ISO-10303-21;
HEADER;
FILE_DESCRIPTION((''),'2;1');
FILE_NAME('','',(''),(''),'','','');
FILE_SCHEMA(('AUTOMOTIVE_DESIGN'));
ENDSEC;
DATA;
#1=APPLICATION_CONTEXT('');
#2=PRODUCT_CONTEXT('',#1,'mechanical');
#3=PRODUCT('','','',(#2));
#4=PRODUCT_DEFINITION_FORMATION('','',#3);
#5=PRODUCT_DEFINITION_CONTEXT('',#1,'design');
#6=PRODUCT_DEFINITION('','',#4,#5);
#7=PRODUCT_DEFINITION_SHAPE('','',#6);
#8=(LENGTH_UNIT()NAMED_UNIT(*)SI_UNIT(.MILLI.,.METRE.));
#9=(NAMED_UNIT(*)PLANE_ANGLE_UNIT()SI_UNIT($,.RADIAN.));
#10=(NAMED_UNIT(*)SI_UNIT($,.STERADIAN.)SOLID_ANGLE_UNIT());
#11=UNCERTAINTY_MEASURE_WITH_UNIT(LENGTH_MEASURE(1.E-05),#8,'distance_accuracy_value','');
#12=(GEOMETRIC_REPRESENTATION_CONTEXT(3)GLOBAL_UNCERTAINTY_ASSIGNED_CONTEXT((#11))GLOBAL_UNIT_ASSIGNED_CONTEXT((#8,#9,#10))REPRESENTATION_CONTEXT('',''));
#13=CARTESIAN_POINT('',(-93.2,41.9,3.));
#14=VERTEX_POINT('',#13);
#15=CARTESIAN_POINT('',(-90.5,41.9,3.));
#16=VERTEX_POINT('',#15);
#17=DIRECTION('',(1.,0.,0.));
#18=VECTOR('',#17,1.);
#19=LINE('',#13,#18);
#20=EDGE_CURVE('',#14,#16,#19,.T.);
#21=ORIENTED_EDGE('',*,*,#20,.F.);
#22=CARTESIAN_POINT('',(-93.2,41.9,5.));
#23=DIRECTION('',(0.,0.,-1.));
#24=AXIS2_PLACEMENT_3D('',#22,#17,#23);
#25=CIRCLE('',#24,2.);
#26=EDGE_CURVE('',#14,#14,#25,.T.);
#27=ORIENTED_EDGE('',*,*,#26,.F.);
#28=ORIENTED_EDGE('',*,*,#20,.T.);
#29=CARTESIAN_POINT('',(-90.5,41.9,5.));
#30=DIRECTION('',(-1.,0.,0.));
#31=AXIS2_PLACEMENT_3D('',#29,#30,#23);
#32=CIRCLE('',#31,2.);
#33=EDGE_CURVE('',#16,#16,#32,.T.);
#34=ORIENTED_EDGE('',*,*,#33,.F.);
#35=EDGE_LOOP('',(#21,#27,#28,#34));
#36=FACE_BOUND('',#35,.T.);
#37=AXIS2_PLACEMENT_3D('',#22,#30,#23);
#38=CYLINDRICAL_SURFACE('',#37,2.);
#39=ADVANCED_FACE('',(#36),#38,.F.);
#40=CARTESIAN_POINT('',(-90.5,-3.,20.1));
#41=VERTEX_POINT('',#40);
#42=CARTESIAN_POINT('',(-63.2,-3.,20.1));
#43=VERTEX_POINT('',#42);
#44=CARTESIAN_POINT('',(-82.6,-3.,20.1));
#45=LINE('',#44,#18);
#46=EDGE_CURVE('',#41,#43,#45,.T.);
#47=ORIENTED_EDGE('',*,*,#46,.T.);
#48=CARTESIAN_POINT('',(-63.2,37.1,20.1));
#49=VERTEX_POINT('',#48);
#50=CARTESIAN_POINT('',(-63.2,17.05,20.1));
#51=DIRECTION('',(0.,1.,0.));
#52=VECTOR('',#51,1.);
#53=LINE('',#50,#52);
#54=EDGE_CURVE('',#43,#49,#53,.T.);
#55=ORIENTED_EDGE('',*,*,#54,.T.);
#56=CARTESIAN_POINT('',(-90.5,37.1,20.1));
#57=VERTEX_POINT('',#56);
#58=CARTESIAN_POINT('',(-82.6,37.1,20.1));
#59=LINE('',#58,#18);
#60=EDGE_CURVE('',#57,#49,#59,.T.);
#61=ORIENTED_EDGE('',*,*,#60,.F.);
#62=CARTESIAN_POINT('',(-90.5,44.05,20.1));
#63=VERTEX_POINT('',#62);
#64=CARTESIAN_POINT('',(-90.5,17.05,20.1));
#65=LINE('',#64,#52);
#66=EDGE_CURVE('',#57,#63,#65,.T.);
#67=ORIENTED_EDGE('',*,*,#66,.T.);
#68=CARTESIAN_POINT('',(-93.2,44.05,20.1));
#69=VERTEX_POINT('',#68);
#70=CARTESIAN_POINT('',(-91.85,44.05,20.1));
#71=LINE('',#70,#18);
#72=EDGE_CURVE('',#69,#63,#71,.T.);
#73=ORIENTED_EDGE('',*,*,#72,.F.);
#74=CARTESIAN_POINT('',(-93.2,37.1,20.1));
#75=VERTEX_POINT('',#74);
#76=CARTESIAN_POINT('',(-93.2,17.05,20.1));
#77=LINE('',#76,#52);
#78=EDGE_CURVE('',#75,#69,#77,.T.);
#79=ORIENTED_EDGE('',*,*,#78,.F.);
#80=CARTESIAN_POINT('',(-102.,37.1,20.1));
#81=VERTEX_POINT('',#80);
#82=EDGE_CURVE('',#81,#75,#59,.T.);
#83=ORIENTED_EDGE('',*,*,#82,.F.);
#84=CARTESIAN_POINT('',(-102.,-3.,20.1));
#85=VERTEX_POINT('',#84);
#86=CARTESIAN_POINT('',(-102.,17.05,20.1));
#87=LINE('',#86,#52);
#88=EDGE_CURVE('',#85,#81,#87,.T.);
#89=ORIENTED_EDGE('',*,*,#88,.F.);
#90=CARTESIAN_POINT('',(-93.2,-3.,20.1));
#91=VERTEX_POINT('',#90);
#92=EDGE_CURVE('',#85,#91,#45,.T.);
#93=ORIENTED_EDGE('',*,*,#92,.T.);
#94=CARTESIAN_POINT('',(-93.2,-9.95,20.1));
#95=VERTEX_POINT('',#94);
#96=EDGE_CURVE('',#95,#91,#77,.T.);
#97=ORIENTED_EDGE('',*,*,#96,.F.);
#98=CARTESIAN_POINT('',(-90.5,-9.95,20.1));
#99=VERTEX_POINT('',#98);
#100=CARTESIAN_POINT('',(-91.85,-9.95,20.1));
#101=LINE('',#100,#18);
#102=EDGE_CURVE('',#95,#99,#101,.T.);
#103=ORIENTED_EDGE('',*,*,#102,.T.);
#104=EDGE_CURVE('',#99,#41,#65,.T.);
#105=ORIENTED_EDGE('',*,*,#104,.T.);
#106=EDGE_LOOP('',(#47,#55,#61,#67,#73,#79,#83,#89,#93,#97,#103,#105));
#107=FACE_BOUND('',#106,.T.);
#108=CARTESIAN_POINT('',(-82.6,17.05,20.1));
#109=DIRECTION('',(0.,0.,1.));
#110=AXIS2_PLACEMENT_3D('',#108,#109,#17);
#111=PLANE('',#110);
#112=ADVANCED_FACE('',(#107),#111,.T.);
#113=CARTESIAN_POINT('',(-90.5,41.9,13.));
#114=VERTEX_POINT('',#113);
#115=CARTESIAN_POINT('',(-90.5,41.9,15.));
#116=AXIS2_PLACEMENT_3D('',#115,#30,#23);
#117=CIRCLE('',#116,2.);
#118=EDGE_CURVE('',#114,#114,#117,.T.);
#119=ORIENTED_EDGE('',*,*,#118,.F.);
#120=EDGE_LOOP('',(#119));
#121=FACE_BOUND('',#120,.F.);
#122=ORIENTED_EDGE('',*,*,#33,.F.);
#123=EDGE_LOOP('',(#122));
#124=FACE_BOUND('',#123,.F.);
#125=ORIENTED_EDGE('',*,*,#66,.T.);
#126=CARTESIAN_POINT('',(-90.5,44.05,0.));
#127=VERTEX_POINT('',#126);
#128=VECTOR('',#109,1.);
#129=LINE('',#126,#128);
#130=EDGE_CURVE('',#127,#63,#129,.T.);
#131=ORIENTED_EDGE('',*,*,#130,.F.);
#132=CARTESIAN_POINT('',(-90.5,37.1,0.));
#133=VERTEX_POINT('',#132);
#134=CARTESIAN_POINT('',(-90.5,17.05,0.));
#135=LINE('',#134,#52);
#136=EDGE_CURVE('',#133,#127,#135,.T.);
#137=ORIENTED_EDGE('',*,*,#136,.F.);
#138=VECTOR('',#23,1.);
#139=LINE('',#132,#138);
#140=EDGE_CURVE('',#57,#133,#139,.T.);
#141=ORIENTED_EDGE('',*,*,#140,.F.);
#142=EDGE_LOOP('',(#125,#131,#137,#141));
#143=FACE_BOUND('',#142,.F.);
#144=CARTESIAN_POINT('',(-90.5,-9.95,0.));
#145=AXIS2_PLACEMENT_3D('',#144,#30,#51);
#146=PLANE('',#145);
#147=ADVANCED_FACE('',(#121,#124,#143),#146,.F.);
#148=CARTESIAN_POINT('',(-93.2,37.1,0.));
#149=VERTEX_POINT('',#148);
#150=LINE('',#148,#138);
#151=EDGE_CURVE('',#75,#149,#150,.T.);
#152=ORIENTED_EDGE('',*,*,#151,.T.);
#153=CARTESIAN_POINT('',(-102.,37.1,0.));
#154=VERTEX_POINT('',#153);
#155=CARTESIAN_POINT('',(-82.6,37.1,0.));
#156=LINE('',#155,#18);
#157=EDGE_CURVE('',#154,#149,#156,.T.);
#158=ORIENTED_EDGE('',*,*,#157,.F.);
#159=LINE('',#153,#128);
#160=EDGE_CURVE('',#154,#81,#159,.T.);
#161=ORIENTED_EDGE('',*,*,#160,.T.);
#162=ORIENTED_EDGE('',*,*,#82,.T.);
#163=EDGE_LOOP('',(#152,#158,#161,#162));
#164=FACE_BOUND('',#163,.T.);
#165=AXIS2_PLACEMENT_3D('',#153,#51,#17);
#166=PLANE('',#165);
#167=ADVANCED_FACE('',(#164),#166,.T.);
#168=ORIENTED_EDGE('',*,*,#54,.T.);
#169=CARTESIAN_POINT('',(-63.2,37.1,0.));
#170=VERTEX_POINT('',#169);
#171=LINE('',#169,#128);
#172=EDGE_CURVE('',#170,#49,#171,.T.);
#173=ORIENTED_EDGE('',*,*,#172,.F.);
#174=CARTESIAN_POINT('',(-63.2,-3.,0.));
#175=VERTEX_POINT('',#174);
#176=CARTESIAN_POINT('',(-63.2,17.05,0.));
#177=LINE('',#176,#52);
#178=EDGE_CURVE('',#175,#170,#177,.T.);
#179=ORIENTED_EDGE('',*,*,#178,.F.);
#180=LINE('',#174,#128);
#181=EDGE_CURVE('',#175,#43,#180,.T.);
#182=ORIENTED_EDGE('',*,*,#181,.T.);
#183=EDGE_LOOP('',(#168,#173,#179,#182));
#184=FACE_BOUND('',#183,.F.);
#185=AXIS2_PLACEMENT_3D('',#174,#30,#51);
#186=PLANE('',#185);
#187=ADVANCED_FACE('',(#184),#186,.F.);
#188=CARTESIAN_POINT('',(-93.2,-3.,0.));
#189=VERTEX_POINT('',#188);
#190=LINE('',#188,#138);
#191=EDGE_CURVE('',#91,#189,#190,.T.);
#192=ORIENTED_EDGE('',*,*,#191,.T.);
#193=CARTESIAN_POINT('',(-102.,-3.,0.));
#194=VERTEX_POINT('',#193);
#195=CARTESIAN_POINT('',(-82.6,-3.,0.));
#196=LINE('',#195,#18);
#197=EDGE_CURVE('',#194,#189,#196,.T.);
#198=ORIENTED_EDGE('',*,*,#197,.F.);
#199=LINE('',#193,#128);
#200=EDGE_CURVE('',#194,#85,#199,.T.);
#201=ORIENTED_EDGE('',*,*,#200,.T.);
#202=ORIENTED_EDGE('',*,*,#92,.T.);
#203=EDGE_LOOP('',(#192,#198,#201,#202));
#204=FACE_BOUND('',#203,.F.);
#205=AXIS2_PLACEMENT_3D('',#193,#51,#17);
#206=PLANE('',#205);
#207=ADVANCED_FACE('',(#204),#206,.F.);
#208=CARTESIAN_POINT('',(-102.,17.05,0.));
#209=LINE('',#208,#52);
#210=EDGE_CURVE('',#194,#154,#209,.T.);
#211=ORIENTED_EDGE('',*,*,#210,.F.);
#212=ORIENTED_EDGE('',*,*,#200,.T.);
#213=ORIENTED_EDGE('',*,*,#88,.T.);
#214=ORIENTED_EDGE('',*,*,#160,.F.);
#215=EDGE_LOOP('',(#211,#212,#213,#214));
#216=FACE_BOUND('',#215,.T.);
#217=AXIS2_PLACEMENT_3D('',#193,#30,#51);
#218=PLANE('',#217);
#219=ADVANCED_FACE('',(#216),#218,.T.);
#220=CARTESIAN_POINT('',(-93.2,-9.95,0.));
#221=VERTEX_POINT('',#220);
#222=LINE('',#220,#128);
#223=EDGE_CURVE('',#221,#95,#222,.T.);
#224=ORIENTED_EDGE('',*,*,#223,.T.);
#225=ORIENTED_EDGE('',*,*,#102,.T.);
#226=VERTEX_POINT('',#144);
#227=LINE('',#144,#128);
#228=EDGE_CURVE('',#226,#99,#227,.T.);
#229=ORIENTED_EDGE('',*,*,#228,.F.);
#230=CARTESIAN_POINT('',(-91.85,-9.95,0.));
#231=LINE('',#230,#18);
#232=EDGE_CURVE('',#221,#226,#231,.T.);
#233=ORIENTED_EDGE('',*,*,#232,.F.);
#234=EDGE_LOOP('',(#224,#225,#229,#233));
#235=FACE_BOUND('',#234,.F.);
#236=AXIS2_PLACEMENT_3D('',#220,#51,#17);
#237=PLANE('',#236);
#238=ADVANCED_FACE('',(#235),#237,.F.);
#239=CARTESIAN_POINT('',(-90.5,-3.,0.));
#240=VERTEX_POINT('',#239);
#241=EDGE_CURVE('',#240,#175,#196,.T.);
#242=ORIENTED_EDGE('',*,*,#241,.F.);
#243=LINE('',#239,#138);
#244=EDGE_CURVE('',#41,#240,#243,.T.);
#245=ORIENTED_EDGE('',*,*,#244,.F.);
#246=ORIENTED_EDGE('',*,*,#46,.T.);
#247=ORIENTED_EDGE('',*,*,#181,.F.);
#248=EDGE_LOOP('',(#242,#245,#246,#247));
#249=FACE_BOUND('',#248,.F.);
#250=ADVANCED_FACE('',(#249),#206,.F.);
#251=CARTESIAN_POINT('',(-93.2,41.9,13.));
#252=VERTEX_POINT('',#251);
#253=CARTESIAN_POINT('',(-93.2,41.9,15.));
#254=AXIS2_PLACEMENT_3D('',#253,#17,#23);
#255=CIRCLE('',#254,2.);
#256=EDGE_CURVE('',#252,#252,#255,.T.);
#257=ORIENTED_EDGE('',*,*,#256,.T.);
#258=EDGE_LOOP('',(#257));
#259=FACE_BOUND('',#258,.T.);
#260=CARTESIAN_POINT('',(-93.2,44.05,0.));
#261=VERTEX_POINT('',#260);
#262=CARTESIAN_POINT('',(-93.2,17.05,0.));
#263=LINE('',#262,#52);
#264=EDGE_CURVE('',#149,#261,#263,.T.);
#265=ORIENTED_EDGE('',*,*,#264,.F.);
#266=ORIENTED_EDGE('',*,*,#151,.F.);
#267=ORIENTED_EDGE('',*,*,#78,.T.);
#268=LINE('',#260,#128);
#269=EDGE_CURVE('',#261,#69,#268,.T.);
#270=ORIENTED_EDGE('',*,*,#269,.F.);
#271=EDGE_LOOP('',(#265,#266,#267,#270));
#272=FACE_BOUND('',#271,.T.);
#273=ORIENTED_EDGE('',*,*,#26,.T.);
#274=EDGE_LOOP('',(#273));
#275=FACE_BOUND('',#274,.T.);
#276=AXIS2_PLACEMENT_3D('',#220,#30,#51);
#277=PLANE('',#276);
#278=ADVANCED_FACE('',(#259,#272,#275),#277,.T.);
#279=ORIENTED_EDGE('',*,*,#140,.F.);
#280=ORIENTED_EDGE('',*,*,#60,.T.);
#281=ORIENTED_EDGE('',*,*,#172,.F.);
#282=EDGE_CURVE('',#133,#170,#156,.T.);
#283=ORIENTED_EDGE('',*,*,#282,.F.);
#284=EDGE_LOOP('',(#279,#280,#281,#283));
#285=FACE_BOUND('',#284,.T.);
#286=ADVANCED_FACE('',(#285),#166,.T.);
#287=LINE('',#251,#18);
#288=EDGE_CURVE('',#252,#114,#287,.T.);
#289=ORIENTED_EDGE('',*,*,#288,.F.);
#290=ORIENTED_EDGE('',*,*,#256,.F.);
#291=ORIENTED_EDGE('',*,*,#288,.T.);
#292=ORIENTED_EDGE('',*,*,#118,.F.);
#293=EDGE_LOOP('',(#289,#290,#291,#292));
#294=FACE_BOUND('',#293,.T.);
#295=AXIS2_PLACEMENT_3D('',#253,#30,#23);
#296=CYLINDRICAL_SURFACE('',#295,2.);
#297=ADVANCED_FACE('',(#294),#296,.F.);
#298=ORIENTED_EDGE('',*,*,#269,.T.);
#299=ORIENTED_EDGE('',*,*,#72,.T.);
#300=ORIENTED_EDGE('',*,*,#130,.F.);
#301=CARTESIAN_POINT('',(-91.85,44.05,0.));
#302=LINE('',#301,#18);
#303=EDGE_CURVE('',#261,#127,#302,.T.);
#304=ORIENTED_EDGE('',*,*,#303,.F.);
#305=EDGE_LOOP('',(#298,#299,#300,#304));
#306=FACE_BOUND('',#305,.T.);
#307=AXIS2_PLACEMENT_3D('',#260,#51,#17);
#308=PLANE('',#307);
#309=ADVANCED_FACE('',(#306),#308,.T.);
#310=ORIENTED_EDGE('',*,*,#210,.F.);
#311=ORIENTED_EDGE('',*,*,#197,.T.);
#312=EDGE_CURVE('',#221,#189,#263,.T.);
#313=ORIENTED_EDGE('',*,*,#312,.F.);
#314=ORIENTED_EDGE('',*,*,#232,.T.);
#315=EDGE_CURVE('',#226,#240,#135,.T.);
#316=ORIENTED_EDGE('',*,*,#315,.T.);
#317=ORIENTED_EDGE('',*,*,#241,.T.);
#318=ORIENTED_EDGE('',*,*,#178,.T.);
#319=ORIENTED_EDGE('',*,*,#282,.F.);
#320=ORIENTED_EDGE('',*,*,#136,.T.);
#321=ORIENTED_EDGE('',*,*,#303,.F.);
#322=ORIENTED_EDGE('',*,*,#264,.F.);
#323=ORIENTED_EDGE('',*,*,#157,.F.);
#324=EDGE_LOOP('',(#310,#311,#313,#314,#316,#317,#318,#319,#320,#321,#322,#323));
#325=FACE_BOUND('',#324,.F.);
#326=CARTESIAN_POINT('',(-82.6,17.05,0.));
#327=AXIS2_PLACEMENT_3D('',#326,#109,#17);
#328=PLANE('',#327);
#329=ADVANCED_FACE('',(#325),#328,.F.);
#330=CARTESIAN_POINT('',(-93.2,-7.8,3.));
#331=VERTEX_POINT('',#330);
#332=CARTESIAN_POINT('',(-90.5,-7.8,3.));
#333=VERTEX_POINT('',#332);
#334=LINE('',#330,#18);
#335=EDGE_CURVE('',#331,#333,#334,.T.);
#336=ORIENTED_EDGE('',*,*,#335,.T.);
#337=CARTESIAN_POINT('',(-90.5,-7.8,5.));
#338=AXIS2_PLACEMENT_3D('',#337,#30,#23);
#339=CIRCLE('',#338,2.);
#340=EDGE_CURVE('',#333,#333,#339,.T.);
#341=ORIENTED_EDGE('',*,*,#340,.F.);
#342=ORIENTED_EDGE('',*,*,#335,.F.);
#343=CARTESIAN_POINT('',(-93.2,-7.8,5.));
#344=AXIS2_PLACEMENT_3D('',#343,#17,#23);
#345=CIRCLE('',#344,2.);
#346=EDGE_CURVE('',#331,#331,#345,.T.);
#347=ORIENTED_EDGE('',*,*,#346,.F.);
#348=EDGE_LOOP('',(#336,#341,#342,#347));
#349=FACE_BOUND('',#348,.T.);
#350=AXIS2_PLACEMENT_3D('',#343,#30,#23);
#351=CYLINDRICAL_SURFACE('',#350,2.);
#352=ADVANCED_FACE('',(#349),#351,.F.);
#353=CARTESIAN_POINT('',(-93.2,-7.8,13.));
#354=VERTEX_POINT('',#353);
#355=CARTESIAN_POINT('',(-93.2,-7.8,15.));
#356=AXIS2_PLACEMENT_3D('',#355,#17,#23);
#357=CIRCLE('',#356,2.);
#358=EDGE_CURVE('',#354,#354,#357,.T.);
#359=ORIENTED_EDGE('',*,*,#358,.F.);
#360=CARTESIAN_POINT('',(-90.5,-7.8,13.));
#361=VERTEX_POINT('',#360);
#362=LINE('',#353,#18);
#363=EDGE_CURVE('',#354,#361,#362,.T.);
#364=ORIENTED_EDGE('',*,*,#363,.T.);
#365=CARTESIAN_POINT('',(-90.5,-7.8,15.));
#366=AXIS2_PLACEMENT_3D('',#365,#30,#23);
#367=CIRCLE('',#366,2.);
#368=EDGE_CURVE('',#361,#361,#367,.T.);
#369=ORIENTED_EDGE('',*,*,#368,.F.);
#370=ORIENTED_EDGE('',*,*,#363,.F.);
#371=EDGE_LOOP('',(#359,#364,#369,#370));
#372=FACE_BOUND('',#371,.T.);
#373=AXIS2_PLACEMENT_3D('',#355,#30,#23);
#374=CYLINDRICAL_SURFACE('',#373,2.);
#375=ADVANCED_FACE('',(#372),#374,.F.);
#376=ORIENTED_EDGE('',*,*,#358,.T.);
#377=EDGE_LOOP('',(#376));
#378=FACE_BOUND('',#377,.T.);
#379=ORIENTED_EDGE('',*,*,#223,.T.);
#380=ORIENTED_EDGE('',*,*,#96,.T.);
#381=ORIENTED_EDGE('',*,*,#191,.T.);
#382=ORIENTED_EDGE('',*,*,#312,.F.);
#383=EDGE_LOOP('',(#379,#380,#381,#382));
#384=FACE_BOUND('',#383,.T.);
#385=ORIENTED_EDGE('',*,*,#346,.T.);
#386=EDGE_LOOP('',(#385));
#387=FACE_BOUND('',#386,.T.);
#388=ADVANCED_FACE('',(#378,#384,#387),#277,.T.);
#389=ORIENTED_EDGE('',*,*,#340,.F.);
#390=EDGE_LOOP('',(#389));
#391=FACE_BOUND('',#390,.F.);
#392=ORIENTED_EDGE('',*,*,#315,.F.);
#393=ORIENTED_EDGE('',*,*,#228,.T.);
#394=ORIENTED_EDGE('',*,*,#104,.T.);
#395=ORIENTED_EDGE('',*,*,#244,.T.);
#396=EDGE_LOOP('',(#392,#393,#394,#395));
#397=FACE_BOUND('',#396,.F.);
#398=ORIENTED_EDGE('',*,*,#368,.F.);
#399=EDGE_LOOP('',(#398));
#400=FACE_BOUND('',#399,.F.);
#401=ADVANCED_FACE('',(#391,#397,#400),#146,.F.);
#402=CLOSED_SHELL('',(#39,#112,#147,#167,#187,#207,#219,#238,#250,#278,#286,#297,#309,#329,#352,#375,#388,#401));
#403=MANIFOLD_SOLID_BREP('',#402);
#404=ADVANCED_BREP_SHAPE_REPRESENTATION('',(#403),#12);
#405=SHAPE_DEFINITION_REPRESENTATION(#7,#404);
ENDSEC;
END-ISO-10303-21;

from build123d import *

# Parameters (mm, degrees)
CYLINDER174_R     = 2
CYLINDER174_DEPTH = 20
CYLINDER173_R     = 2
CYLINDER173_DEPTH = 20
CYLINDER171_R     = 2
CYLINDER171_DEPTH = 20
CYLINDER172_R     = 2
CYLINDER172_DEPTH = 20
BOX075_W          = 38.8
BOX075_H          = 40.1
BOX075_DEPTH      = 20.1
BOX223_W          = 2.7
BOX223_H          = 54
BOX223_DEPTH      = 20.1


with BuildPart() as cylinder174:
    # Cylinder174 → Cylinder174 (new body)
    with BuildSketch(Plane(origin=(-97.2, 2.2, 5), x_dir=(0, 0, -1), z_dir=(1, 0, 0))):
        Circle(CYLINDER174_R)
    extrude(amount=CYLINDER174_DEPTH)


with BuildPart() as cylinder173:
    # Cylinder173 → Cylinder173 (new body)
    with BuildSketch(Plane(origin=(-97.2, 2.2, 15), x_dir=(0, 0, -1), z_dir=(1, 0, 0))):
        Circle(CYLINDER173_R)
    extrude(amount=CYLINDER173_DEPTH)


with BuildPart() as cylinder171:
    # Cylinder171 → Cylinder171 (new body)
    with BuildSketch(Plane(origin=(-97.2, 51.9, 5), x_dir=(0, 0, -1), z_dir=(1, 0, 0))):
        Circle(CYLINDER171_R)
    extrude(amount=CYLINDER171_DEPTH)


with BuildPart() as cylinder172:
    # Cylinder172 → Cylinder172 (new body)
    with BuildSketch(Plane(origin=(-97.2, 51.9, 15), x_dir=(0, 0, -1), z_dir=(1, 0, 0))):
        Circle(CYLINDER172_R)
    extrude(amount=CYLINDER172_DEPTH)


with BuildPart() as box075:
    # Box075 → Box075 (new body)
    with BuildSketch(Plane(origin=(82, -93, 0), x_dir=(1, 0, 0), z_dir=(0, 0, 1))):
        with Locations((19.4, 20.05)):
            Rectangle(BOX075_W, BOX075_H)
    extrude(amount=BOX075_DEPTH)


with BuildPart() as cut127:
    # Box223 → Box223 (new body)
    with BuildSketch(Plane(origin=(90.8, -99.95, 0), x_dir=(1, 0, 0), z_dir=(0, 0, 1))):
        with Locations((1.35, 27)):
            Rectangle(BOX223_W, BOX223_H)
    extrude(amount=BOX223_DEPTH)

    # Fusion085: union Box075
    add(box075.part)


with BuildPart() as cut127_1:
    # Fusion085 placement: moved
    add(cut127.part.moved(Location((-188, 100, 0))))

    # Cut124: cut Cylinder172
    add(cylinder172.part, mode=Mode.SUBTRACT)

    # Cut125: cut Cylinder171
    add(cylinder171.part, mode=Mode.SUBTRACT)

    # Cut126: cut Cylinder173
    add(cylinder173.part, mode=Mode.SUBTRACT)

    # Cut127: cut Cylinder174
    add(cylinder174.part, mode=Mode.SUBTRACT)


with BuildPart() as cut127_2:
    # Cut127 placement: moved
    add(cut127_1.part.moved(Location((4, -10, 0))))


solid = cut127_2.part
